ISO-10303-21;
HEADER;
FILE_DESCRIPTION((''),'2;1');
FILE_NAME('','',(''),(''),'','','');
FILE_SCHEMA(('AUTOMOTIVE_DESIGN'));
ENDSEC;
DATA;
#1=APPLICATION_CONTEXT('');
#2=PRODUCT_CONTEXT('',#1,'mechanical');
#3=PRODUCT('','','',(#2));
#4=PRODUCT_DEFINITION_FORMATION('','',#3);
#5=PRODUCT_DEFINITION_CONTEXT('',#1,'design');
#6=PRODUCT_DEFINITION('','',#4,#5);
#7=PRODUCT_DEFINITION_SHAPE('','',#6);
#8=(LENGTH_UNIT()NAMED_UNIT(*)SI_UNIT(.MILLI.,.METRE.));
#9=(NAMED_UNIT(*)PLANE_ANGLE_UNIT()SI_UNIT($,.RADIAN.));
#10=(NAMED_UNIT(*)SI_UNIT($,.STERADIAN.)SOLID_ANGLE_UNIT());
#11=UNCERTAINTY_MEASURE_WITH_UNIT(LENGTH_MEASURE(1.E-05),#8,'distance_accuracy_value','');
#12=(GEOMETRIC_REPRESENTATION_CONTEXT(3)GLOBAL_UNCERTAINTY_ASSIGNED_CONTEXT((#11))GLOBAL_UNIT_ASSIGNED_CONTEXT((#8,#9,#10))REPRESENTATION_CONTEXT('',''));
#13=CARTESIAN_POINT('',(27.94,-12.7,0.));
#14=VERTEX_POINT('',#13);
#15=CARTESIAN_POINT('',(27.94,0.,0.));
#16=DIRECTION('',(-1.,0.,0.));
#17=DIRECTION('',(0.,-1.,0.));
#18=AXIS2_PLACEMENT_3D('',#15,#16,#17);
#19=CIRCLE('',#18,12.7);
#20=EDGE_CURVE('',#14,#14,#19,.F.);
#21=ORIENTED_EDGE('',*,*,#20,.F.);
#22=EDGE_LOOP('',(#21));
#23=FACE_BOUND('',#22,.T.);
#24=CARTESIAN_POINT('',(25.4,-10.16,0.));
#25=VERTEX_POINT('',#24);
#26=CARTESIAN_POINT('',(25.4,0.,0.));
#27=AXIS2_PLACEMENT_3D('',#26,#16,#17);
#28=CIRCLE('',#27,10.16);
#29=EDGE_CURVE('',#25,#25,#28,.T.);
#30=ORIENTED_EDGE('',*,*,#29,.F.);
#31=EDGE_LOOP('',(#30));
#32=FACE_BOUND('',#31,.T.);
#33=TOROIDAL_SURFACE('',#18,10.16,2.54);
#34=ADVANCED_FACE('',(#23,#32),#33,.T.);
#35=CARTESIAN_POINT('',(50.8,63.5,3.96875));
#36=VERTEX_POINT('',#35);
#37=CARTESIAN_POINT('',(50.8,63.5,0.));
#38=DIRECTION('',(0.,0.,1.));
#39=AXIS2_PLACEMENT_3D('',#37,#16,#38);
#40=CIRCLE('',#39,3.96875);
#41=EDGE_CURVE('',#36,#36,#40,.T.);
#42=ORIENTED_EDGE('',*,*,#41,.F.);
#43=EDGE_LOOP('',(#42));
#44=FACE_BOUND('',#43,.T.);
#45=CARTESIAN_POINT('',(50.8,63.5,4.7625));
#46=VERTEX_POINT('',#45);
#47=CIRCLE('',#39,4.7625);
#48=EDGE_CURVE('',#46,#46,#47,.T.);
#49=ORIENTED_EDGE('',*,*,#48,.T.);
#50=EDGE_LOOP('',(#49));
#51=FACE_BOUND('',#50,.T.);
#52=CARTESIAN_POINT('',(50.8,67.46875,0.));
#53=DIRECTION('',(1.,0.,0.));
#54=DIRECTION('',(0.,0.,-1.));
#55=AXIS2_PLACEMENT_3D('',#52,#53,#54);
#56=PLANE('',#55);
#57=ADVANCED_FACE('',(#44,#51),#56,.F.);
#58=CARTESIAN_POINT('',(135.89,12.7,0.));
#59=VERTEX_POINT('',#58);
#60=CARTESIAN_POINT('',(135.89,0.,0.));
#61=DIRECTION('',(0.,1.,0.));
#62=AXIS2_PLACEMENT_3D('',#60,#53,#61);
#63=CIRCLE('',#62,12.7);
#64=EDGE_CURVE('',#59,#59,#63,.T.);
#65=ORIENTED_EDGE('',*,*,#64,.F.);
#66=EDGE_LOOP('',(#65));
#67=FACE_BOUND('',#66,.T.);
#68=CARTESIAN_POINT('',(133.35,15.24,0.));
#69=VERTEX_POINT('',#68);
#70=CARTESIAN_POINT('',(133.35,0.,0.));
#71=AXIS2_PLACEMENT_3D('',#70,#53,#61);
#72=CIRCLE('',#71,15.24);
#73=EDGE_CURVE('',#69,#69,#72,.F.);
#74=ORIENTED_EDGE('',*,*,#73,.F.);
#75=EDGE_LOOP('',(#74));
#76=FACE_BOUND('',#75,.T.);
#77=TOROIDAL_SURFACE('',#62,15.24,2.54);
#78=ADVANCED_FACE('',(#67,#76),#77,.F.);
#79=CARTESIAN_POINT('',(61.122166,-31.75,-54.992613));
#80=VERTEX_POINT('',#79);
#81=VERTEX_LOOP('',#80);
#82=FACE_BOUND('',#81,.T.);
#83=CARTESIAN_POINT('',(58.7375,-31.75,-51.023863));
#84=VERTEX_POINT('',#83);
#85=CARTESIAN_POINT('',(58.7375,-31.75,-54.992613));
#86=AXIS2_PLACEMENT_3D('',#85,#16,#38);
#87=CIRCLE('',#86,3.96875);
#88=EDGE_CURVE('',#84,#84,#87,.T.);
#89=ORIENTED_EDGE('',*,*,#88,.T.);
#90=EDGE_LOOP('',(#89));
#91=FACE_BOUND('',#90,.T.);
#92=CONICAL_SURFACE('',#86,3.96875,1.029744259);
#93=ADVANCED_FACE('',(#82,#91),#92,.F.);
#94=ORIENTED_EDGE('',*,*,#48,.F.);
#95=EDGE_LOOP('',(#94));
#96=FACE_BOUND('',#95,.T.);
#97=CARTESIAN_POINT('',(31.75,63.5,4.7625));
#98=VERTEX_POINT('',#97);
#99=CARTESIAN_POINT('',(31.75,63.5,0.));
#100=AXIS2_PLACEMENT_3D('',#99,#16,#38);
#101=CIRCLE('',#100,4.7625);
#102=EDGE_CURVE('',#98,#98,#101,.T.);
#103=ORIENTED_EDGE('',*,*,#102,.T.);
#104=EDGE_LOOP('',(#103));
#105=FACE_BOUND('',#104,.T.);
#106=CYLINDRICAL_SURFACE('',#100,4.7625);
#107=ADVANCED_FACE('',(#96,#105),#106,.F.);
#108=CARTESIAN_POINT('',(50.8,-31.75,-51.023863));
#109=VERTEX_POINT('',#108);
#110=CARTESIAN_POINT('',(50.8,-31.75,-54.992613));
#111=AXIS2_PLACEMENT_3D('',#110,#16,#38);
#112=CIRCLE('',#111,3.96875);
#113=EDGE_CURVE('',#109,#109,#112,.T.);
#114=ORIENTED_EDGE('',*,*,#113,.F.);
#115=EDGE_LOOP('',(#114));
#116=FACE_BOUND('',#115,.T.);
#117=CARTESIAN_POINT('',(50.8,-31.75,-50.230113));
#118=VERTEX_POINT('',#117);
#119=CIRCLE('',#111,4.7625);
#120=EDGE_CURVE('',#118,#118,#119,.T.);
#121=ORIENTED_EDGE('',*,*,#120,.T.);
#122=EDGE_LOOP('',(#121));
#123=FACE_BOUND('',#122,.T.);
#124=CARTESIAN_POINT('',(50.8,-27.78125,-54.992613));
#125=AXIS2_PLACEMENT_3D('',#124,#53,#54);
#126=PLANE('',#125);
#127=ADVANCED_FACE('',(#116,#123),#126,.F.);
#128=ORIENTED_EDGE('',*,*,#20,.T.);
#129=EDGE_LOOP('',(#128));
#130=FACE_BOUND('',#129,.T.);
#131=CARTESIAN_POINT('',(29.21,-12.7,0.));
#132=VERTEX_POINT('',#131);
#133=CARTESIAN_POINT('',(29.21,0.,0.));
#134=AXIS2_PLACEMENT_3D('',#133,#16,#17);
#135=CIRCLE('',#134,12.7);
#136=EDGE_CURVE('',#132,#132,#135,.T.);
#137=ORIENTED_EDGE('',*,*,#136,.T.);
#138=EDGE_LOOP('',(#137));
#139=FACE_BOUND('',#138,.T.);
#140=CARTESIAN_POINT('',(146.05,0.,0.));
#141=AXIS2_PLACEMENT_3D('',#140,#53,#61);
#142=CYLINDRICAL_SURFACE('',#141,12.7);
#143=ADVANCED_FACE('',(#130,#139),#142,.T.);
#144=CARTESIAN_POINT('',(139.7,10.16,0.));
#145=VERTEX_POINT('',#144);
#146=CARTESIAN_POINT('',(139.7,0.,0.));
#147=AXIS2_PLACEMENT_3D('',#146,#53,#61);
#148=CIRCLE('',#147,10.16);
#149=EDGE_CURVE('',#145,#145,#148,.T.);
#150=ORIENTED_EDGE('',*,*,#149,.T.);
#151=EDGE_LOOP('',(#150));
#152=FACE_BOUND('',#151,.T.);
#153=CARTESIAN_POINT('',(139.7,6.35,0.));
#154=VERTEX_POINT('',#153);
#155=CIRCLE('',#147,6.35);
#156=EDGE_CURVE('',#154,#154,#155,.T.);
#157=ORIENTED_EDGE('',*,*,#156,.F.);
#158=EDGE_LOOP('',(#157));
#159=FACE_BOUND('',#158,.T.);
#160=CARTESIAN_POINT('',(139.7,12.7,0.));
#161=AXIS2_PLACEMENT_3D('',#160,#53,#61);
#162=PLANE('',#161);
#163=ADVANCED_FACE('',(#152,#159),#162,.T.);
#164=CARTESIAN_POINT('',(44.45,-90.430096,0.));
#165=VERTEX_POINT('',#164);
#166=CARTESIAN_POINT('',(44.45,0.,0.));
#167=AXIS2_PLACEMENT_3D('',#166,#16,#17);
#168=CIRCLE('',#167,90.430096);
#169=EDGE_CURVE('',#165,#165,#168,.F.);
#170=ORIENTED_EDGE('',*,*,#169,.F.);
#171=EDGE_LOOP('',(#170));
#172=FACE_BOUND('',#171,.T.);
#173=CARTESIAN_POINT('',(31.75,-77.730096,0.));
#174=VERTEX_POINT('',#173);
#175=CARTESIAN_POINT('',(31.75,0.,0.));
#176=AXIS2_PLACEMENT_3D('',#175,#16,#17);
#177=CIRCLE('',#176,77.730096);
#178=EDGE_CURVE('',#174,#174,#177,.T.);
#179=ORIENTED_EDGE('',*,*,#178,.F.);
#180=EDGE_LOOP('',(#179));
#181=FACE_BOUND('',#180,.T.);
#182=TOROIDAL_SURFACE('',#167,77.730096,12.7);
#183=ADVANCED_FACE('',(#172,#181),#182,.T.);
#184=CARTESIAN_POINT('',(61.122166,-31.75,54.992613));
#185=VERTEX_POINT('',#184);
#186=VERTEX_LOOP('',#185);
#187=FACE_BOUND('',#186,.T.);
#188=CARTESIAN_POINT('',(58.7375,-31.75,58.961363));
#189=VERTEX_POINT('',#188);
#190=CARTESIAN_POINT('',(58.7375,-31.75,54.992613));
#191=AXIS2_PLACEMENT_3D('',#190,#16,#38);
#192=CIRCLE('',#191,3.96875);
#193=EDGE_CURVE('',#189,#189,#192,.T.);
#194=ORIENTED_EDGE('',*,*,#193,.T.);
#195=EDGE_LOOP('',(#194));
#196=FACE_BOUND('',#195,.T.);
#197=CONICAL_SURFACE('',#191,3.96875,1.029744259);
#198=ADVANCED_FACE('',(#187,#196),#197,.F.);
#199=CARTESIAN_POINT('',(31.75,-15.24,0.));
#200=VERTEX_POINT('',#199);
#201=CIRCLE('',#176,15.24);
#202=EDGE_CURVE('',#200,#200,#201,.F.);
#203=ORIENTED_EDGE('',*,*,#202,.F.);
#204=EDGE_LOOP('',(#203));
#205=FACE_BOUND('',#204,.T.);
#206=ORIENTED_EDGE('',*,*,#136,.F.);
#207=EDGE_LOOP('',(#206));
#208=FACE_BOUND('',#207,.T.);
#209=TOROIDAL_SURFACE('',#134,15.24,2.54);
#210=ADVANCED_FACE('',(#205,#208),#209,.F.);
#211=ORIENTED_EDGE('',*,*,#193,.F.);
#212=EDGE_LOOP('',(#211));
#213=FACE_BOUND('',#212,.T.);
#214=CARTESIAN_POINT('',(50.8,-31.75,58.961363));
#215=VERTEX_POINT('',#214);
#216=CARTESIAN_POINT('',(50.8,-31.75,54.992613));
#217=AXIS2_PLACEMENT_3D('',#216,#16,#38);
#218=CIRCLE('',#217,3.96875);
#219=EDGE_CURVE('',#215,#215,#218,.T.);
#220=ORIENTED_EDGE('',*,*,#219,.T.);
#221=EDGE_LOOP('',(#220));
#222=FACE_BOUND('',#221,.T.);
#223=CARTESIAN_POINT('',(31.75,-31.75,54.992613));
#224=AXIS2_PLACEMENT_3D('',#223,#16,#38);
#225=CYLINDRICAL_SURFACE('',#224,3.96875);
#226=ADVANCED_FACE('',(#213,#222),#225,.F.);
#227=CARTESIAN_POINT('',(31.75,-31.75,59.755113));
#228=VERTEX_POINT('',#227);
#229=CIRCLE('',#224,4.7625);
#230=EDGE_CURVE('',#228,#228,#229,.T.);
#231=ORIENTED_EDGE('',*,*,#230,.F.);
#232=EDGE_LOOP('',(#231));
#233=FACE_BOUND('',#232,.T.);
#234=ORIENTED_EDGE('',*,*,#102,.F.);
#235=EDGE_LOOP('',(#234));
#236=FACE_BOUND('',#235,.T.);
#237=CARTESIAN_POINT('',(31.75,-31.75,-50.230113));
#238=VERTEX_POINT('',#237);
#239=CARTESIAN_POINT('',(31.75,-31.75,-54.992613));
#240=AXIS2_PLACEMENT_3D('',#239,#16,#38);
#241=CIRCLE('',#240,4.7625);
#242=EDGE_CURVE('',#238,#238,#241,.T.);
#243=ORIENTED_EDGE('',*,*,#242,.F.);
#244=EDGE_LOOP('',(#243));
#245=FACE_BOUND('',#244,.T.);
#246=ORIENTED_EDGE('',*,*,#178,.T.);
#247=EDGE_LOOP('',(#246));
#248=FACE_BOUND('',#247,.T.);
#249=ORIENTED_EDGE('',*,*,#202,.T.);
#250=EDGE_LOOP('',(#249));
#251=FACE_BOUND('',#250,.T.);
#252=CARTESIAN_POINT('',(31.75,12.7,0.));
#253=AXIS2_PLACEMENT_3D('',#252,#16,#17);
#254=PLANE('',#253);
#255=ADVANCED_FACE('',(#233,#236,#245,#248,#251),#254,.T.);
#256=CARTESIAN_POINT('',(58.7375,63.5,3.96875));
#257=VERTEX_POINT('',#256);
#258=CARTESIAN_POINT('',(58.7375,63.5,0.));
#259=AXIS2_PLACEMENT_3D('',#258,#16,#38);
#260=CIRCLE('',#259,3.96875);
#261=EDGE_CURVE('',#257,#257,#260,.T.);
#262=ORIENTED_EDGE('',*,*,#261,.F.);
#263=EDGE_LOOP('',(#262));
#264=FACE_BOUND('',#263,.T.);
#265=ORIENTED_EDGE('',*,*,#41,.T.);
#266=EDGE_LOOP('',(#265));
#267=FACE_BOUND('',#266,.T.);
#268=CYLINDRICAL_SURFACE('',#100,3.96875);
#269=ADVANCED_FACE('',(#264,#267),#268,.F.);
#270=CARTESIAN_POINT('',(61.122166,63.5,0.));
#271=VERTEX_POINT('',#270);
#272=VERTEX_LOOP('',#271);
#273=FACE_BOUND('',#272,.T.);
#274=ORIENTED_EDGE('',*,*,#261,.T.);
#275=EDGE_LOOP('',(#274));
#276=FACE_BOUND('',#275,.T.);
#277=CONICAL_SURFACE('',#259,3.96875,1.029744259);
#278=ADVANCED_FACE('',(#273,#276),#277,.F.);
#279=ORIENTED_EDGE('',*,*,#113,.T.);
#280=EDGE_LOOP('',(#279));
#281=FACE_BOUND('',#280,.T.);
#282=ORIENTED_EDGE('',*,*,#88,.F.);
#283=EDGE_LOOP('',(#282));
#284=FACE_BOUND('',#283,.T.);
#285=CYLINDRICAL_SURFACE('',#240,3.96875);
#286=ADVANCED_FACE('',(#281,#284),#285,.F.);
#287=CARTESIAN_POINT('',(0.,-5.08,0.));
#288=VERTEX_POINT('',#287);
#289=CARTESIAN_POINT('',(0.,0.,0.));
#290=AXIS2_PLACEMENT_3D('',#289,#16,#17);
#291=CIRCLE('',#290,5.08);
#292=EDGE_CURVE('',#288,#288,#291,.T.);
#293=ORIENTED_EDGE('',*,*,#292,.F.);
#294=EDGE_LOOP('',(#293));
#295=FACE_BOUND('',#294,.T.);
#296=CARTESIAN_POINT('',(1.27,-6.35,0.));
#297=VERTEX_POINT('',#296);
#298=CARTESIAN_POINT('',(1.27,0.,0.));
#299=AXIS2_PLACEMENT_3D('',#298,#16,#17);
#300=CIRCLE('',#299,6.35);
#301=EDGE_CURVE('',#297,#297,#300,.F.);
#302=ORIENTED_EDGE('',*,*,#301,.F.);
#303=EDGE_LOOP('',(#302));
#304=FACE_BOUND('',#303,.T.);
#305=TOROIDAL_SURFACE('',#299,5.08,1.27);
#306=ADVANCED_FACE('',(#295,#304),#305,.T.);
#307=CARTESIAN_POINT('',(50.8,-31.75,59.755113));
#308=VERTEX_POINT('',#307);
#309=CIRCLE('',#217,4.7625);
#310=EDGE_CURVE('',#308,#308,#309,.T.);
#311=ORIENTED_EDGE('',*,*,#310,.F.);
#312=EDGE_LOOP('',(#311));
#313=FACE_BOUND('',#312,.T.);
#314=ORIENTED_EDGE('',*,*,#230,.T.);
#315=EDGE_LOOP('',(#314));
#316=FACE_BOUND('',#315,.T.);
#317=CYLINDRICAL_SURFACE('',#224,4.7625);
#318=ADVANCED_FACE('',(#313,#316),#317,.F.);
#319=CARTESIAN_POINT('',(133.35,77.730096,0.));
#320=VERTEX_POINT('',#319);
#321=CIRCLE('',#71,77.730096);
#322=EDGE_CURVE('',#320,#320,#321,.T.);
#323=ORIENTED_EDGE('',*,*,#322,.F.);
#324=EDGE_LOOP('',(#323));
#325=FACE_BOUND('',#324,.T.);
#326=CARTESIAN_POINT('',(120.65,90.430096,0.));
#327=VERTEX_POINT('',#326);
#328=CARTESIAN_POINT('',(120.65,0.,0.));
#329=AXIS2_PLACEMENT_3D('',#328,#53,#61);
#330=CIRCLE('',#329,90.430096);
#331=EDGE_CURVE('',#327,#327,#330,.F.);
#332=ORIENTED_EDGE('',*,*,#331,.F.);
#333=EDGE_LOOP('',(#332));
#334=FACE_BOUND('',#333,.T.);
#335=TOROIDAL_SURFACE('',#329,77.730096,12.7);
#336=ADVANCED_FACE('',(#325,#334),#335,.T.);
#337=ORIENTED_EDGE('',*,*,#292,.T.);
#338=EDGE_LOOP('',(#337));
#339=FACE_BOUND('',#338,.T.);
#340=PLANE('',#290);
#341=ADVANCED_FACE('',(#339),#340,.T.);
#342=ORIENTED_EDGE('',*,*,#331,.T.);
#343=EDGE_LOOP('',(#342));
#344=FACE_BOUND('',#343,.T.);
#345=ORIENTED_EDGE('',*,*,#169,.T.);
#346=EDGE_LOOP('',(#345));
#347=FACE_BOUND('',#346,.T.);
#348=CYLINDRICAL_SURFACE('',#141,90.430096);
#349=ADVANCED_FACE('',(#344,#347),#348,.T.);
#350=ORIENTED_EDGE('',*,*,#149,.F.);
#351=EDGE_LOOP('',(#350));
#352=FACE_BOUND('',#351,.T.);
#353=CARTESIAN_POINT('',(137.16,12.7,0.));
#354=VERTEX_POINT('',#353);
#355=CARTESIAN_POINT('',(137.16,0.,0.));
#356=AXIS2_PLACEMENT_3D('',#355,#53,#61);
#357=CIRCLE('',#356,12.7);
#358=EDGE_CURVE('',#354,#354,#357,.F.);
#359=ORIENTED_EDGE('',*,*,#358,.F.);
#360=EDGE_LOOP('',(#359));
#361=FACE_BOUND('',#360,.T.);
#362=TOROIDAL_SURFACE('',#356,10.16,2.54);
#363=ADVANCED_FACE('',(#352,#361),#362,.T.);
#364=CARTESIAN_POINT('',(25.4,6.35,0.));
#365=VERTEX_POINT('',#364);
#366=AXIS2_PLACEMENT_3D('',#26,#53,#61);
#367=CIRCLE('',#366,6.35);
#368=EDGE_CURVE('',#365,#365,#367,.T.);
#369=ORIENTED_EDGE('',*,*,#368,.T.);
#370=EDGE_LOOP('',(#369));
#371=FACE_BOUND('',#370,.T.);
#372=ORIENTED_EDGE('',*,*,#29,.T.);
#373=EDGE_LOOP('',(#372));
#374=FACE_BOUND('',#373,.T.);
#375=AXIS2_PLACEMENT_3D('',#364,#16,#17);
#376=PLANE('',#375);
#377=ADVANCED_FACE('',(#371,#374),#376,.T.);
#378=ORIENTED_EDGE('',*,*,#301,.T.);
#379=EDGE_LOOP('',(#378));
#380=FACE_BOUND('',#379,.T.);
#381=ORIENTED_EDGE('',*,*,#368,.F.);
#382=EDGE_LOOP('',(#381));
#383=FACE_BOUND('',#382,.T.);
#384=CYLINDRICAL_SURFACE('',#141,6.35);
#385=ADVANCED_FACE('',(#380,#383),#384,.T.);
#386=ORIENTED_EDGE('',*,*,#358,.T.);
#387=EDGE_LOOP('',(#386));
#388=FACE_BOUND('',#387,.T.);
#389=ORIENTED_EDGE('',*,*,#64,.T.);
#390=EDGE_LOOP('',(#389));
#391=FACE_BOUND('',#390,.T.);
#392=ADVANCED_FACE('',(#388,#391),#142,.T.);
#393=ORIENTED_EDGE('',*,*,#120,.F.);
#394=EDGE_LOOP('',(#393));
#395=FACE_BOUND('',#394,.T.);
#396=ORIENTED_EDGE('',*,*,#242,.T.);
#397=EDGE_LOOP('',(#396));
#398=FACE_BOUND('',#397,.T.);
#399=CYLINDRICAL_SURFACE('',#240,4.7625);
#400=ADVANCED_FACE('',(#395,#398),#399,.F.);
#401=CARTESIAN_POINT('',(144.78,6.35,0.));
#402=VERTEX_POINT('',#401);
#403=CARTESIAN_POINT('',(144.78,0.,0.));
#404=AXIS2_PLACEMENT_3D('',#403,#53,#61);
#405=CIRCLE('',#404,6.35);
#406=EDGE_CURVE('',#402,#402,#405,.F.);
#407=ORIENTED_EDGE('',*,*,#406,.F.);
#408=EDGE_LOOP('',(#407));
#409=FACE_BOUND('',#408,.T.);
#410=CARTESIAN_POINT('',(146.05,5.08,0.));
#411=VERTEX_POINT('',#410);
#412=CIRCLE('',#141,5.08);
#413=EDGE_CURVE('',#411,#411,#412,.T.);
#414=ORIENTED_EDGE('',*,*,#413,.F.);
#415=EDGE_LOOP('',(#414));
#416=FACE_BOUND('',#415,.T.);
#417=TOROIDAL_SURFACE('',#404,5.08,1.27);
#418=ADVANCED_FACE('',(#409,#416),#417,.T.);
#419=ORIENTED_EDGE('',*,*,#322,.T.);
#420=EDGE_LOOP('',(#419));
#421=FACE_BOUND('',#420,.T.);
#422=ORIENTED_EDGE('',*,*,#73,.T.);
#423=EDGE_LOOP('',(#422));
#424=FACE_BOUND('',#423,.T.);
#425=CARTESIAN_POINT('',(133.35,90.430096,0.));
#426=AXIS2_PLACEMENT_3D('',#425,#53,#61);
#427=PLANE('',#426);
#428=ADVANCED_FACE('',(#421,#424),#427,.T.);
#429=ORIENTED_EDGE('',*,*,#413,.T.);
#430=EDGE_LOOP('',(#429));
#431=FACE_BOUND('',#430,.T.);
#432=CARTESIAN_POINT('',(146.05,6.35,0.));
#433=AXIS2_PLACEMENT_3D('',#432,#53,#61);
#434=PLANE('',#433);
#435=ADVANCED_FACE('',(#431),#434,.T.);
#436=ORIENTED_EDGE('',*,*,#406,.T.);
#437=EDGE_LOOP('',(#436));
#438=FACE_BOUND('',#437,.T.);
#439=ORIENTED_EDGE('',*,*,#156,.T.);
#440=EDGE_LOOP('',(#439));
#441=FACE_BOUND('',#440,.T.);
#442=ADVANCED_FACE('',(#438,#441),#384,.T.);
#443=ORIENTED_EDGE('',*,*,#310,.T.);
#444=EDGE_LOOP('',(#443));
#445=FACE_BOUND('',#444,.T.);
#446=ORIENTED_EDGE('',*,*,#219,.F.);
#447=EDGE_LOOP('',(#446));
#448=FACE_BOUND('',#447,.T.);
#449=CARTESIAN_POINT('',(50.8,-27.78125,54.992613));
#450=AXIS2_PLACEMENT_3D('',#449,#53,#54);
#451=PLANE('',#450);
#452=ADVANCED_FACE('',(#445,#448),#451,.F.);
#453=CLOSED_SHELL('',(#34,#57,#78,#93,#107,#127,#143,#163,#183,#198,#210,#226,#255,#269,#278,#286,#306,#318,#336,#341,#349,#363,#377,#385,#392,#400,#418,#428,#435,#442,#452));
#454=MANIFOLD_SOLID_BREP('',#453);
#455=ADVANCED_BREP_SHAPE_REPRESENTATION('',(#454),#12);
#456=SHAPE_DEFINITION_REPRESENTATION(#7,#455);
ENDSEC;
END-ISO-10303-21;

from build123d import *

# Parameters (mm, degrees)
FILLET1_R         = 12.7
FILLET2_R         = 2.54
FILLET3_R         = 1.27
CIRPATTERN1_COUNT = 3


with BuildPart() as part:
    # Sketch1 → Revolve1 (revolve)
    with BuildSketch(Plane.XY):
        Polygon((0, 0), (0, 6.35), (25.4, 6.35), (25.4, 12.7), (31.75, 12.7), (31.75, 90.430096177), (133.35, 90.430096177), (133.35, 12.7), (139.7, 12.7), (139.7, 6.35), (146.05, 6.35), (146.05, 0), align=None)
    revolve(axis=Axis((146.05, 0, 0), (-1, 0, 0)))

    # Fillet1
    fillet1_edges = [part.edges().sort_by_distance(p)[0] for p in [
        (133.35, -90.430096177, 0),
        (31.75, -90.430096177, 0),
    ]]
    fillet(fillet1_edges, radius=FILLET1_R)

    # Fillet2
    fillet2_edges = [part.edges().sort_by_distance(p)[0] for p in [
        (133.35, -12.7, 0),
        (31.75, -12.7, 0),
        (25.4, -12.7, 0),
        (139.7, -12.7, 0),
    ]]
    fillet(fillet2_edges, radius=FILLET2_R)

    # Fillet3
    fillet3_edges = [part.edges().sort_by_distance(p)[0] for p in [
        (0, -6.35, 0),
        (146.05, -6.35, 0),
    ]]
    fillet(fillet3_edges, radius=FILLET3_R)

    # Sketch3 → 3/8-16 Tapped Hole1 (revolve, cut)
    with BuildSketch(Plane(origin=(31.75, 63.5, 0), x_dir=(0, 0, 1), z_dir=(0, 1, 0))):
        Polygon((0, 0), (0, 29.372165582), (3.96875, 26.9875), (3.96875, 19.05), (4.7625, 19.05), (4.7625, 0), align=None)
    f_3_8_16_tapped_hole1 = revolve(axis=Axis((25.4, 63.5, 0), (1, 0, 0)), mode=Mode.SUBTRACT)

    # CirPattern1: 3/8-16 Tapped Hole1 ×3 about axis
    cirpattern1_axis = Axis((0, 0, 0), (1, 0, 0))
    for i in range(1, CIRPATTERN1_COUNT):
        add(f_3_8_16_tapped_hole1.rotate(cirpattern1_axis, i * 360 / CIRPATTERN1_COUNT), mode=Mode.SUBTRACT)


solid = part.part
